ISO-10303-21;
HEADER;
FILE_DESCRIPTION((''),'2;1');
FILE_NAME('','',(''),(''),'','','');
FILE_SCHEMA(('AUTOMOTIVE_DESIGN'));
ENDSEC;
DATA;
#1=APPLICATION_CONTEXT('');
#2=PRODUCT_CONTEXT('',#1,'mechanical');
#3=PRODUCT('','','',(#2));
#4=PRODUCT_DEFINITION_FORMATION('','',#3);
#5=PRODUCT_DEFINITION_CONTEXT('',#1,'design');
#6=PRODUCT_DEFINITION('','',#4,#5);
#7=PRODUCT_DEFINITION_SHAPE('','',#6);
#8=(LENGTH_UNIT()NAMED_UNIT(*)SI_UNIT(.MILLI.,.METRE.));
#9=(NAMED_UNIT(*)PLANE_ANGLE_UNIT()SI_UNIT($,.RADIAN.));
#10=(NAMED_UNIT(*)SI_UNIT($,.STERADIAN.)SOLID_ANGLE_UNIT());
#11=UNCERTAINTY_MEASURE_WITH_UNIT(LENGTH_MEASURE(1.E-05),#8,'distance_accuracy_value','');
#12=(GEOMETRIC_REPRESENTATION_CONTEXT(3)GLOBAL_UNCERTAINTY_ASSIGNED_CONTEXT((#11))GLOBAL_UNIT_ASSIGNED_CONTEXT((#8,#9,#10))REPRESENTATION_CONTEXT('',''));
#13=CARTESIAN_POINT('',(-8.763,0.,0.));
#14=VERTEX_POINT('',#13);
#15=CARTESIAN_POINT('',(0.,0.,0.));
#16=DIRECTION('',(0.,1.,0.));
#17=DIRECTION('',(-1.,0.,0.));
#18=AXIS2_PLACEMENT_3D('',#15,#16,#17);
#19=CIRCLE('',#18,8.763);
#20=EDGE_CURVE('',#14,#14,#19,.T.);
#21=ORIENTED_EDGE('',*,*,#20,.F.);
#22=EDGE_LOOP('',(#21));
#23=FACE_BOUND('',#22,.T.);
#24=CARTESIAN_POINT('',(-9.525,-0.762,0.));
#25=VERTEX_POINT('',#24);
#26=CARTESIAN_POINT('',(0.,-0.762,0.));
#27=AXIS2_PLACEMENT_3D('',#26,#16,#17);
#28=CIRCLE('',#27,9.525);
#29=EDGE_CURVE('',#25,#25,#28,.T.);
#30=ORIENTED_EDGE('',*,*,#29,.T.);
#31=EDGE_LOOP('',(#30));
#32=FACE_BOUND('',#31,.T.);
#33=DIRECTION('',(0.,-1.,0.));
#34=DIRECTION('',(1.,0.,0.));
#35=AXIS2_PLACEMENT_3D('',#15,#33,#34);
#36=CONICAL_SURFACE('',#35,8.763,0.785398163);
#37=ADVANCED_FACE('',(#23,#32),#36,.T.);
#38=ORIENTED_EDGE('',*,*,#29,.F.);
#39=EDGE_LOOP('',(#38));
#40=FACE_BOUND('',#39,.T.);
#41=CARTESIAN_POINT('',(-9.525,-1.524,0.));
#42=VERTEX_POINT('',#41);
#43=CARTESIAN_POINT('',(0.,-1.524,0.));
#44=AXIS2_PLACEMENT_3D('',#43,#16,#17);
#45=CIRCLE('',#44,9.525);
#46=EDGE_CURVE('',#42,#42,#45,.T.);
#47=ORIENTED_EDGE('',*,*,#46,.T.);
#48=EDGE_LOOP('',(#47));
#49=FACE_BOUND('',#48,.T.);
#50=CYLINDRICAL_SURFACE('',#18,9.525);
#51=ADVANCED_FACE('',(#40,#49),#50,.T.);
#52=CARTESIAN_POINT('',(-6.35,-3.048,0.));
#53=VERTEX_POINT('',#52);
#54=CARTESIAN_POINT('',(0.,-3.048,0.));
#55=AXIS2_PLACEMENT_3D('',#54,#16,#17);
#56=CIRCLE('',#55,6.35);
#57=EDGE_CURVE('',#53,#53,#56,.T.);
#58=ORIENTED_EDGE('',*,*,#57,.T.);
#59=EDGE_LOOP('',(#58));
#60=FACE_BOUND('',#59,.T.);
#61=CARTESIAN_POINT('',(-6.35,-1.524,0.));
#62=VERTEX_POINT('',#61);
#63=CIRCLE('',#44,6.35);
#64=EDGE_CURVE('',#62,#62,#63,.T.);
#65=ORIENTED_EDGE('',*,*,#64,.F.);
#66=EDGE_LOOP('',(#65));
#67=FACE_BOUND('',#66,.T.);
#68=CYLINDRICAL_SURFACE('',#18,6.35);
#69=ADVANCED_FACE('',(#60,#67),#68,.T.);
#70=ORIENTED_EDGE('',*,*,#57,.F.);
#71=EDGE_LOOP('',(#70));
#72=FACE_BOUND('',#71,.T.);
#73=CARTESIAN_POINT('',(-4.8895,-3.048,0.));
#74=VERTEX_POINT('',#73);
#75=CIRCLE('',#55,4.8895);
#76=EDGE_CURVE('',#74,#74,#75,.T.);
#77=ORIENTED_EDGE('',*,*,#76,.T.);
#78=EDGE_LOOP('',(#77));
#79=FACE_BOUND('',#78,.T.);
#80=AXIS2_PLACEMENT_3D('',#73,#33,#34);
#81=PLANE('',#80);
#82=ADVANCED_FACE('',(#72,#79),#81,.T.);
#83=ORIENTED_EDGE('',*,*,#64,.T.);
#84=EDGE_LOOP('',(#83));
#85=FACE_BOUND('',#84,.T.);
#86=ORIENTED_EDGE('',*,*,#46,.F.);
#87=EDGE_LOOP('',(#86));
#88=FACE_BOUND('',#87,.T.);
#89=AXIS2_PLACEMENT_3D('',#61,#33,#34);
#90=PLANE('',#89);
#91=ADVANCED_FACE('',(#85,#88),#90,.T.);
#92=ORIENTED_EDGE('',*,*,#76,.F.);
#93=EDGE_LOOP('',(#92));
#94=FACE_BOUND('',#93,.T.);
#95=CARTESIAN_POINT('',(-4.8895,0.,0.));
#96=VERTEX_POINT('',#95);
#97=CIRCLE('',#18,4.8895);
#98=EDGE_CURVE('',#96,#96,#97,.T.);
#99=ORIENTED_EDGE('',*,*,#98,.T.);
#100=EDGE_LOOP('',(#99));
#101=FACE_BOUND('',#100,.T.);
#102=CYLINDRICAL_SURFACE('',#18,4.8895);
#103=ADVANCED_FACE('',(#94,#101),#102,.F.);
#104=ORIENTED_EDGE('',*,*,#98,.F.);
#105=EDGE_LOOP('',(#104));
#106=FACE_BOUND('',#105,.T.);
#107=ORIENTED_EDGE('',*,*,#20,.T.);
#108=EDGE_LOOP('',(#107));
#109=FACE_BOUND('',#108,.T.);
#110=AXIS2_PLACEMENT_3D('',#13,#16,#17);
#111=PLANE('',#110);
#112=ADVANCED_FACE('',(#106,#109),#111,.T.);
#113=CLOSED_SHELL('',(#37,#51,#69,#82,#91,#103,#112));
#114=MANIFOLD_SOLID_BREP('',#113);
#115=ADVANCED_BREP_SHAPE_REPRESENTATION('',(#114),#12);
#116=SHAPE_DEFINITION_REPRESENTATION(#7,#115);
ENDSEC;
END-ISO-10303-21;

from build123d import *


with BuildPart() as part:
    # Sketch1 → Revolve1 (revolve)
    with BuildSketch(Plane.XY):
        Polygon((-4.8895, 0), (-4.8895, -3.048), (-6.35, -3.048), (-6.35, -1.524), (-9.525, -1.524), (-9.525, -0.762), (-8.763, 0), align=None)
    revolve(axis=Axis((0, 0, 0), (0, -1, 0)))


solid = part.part
